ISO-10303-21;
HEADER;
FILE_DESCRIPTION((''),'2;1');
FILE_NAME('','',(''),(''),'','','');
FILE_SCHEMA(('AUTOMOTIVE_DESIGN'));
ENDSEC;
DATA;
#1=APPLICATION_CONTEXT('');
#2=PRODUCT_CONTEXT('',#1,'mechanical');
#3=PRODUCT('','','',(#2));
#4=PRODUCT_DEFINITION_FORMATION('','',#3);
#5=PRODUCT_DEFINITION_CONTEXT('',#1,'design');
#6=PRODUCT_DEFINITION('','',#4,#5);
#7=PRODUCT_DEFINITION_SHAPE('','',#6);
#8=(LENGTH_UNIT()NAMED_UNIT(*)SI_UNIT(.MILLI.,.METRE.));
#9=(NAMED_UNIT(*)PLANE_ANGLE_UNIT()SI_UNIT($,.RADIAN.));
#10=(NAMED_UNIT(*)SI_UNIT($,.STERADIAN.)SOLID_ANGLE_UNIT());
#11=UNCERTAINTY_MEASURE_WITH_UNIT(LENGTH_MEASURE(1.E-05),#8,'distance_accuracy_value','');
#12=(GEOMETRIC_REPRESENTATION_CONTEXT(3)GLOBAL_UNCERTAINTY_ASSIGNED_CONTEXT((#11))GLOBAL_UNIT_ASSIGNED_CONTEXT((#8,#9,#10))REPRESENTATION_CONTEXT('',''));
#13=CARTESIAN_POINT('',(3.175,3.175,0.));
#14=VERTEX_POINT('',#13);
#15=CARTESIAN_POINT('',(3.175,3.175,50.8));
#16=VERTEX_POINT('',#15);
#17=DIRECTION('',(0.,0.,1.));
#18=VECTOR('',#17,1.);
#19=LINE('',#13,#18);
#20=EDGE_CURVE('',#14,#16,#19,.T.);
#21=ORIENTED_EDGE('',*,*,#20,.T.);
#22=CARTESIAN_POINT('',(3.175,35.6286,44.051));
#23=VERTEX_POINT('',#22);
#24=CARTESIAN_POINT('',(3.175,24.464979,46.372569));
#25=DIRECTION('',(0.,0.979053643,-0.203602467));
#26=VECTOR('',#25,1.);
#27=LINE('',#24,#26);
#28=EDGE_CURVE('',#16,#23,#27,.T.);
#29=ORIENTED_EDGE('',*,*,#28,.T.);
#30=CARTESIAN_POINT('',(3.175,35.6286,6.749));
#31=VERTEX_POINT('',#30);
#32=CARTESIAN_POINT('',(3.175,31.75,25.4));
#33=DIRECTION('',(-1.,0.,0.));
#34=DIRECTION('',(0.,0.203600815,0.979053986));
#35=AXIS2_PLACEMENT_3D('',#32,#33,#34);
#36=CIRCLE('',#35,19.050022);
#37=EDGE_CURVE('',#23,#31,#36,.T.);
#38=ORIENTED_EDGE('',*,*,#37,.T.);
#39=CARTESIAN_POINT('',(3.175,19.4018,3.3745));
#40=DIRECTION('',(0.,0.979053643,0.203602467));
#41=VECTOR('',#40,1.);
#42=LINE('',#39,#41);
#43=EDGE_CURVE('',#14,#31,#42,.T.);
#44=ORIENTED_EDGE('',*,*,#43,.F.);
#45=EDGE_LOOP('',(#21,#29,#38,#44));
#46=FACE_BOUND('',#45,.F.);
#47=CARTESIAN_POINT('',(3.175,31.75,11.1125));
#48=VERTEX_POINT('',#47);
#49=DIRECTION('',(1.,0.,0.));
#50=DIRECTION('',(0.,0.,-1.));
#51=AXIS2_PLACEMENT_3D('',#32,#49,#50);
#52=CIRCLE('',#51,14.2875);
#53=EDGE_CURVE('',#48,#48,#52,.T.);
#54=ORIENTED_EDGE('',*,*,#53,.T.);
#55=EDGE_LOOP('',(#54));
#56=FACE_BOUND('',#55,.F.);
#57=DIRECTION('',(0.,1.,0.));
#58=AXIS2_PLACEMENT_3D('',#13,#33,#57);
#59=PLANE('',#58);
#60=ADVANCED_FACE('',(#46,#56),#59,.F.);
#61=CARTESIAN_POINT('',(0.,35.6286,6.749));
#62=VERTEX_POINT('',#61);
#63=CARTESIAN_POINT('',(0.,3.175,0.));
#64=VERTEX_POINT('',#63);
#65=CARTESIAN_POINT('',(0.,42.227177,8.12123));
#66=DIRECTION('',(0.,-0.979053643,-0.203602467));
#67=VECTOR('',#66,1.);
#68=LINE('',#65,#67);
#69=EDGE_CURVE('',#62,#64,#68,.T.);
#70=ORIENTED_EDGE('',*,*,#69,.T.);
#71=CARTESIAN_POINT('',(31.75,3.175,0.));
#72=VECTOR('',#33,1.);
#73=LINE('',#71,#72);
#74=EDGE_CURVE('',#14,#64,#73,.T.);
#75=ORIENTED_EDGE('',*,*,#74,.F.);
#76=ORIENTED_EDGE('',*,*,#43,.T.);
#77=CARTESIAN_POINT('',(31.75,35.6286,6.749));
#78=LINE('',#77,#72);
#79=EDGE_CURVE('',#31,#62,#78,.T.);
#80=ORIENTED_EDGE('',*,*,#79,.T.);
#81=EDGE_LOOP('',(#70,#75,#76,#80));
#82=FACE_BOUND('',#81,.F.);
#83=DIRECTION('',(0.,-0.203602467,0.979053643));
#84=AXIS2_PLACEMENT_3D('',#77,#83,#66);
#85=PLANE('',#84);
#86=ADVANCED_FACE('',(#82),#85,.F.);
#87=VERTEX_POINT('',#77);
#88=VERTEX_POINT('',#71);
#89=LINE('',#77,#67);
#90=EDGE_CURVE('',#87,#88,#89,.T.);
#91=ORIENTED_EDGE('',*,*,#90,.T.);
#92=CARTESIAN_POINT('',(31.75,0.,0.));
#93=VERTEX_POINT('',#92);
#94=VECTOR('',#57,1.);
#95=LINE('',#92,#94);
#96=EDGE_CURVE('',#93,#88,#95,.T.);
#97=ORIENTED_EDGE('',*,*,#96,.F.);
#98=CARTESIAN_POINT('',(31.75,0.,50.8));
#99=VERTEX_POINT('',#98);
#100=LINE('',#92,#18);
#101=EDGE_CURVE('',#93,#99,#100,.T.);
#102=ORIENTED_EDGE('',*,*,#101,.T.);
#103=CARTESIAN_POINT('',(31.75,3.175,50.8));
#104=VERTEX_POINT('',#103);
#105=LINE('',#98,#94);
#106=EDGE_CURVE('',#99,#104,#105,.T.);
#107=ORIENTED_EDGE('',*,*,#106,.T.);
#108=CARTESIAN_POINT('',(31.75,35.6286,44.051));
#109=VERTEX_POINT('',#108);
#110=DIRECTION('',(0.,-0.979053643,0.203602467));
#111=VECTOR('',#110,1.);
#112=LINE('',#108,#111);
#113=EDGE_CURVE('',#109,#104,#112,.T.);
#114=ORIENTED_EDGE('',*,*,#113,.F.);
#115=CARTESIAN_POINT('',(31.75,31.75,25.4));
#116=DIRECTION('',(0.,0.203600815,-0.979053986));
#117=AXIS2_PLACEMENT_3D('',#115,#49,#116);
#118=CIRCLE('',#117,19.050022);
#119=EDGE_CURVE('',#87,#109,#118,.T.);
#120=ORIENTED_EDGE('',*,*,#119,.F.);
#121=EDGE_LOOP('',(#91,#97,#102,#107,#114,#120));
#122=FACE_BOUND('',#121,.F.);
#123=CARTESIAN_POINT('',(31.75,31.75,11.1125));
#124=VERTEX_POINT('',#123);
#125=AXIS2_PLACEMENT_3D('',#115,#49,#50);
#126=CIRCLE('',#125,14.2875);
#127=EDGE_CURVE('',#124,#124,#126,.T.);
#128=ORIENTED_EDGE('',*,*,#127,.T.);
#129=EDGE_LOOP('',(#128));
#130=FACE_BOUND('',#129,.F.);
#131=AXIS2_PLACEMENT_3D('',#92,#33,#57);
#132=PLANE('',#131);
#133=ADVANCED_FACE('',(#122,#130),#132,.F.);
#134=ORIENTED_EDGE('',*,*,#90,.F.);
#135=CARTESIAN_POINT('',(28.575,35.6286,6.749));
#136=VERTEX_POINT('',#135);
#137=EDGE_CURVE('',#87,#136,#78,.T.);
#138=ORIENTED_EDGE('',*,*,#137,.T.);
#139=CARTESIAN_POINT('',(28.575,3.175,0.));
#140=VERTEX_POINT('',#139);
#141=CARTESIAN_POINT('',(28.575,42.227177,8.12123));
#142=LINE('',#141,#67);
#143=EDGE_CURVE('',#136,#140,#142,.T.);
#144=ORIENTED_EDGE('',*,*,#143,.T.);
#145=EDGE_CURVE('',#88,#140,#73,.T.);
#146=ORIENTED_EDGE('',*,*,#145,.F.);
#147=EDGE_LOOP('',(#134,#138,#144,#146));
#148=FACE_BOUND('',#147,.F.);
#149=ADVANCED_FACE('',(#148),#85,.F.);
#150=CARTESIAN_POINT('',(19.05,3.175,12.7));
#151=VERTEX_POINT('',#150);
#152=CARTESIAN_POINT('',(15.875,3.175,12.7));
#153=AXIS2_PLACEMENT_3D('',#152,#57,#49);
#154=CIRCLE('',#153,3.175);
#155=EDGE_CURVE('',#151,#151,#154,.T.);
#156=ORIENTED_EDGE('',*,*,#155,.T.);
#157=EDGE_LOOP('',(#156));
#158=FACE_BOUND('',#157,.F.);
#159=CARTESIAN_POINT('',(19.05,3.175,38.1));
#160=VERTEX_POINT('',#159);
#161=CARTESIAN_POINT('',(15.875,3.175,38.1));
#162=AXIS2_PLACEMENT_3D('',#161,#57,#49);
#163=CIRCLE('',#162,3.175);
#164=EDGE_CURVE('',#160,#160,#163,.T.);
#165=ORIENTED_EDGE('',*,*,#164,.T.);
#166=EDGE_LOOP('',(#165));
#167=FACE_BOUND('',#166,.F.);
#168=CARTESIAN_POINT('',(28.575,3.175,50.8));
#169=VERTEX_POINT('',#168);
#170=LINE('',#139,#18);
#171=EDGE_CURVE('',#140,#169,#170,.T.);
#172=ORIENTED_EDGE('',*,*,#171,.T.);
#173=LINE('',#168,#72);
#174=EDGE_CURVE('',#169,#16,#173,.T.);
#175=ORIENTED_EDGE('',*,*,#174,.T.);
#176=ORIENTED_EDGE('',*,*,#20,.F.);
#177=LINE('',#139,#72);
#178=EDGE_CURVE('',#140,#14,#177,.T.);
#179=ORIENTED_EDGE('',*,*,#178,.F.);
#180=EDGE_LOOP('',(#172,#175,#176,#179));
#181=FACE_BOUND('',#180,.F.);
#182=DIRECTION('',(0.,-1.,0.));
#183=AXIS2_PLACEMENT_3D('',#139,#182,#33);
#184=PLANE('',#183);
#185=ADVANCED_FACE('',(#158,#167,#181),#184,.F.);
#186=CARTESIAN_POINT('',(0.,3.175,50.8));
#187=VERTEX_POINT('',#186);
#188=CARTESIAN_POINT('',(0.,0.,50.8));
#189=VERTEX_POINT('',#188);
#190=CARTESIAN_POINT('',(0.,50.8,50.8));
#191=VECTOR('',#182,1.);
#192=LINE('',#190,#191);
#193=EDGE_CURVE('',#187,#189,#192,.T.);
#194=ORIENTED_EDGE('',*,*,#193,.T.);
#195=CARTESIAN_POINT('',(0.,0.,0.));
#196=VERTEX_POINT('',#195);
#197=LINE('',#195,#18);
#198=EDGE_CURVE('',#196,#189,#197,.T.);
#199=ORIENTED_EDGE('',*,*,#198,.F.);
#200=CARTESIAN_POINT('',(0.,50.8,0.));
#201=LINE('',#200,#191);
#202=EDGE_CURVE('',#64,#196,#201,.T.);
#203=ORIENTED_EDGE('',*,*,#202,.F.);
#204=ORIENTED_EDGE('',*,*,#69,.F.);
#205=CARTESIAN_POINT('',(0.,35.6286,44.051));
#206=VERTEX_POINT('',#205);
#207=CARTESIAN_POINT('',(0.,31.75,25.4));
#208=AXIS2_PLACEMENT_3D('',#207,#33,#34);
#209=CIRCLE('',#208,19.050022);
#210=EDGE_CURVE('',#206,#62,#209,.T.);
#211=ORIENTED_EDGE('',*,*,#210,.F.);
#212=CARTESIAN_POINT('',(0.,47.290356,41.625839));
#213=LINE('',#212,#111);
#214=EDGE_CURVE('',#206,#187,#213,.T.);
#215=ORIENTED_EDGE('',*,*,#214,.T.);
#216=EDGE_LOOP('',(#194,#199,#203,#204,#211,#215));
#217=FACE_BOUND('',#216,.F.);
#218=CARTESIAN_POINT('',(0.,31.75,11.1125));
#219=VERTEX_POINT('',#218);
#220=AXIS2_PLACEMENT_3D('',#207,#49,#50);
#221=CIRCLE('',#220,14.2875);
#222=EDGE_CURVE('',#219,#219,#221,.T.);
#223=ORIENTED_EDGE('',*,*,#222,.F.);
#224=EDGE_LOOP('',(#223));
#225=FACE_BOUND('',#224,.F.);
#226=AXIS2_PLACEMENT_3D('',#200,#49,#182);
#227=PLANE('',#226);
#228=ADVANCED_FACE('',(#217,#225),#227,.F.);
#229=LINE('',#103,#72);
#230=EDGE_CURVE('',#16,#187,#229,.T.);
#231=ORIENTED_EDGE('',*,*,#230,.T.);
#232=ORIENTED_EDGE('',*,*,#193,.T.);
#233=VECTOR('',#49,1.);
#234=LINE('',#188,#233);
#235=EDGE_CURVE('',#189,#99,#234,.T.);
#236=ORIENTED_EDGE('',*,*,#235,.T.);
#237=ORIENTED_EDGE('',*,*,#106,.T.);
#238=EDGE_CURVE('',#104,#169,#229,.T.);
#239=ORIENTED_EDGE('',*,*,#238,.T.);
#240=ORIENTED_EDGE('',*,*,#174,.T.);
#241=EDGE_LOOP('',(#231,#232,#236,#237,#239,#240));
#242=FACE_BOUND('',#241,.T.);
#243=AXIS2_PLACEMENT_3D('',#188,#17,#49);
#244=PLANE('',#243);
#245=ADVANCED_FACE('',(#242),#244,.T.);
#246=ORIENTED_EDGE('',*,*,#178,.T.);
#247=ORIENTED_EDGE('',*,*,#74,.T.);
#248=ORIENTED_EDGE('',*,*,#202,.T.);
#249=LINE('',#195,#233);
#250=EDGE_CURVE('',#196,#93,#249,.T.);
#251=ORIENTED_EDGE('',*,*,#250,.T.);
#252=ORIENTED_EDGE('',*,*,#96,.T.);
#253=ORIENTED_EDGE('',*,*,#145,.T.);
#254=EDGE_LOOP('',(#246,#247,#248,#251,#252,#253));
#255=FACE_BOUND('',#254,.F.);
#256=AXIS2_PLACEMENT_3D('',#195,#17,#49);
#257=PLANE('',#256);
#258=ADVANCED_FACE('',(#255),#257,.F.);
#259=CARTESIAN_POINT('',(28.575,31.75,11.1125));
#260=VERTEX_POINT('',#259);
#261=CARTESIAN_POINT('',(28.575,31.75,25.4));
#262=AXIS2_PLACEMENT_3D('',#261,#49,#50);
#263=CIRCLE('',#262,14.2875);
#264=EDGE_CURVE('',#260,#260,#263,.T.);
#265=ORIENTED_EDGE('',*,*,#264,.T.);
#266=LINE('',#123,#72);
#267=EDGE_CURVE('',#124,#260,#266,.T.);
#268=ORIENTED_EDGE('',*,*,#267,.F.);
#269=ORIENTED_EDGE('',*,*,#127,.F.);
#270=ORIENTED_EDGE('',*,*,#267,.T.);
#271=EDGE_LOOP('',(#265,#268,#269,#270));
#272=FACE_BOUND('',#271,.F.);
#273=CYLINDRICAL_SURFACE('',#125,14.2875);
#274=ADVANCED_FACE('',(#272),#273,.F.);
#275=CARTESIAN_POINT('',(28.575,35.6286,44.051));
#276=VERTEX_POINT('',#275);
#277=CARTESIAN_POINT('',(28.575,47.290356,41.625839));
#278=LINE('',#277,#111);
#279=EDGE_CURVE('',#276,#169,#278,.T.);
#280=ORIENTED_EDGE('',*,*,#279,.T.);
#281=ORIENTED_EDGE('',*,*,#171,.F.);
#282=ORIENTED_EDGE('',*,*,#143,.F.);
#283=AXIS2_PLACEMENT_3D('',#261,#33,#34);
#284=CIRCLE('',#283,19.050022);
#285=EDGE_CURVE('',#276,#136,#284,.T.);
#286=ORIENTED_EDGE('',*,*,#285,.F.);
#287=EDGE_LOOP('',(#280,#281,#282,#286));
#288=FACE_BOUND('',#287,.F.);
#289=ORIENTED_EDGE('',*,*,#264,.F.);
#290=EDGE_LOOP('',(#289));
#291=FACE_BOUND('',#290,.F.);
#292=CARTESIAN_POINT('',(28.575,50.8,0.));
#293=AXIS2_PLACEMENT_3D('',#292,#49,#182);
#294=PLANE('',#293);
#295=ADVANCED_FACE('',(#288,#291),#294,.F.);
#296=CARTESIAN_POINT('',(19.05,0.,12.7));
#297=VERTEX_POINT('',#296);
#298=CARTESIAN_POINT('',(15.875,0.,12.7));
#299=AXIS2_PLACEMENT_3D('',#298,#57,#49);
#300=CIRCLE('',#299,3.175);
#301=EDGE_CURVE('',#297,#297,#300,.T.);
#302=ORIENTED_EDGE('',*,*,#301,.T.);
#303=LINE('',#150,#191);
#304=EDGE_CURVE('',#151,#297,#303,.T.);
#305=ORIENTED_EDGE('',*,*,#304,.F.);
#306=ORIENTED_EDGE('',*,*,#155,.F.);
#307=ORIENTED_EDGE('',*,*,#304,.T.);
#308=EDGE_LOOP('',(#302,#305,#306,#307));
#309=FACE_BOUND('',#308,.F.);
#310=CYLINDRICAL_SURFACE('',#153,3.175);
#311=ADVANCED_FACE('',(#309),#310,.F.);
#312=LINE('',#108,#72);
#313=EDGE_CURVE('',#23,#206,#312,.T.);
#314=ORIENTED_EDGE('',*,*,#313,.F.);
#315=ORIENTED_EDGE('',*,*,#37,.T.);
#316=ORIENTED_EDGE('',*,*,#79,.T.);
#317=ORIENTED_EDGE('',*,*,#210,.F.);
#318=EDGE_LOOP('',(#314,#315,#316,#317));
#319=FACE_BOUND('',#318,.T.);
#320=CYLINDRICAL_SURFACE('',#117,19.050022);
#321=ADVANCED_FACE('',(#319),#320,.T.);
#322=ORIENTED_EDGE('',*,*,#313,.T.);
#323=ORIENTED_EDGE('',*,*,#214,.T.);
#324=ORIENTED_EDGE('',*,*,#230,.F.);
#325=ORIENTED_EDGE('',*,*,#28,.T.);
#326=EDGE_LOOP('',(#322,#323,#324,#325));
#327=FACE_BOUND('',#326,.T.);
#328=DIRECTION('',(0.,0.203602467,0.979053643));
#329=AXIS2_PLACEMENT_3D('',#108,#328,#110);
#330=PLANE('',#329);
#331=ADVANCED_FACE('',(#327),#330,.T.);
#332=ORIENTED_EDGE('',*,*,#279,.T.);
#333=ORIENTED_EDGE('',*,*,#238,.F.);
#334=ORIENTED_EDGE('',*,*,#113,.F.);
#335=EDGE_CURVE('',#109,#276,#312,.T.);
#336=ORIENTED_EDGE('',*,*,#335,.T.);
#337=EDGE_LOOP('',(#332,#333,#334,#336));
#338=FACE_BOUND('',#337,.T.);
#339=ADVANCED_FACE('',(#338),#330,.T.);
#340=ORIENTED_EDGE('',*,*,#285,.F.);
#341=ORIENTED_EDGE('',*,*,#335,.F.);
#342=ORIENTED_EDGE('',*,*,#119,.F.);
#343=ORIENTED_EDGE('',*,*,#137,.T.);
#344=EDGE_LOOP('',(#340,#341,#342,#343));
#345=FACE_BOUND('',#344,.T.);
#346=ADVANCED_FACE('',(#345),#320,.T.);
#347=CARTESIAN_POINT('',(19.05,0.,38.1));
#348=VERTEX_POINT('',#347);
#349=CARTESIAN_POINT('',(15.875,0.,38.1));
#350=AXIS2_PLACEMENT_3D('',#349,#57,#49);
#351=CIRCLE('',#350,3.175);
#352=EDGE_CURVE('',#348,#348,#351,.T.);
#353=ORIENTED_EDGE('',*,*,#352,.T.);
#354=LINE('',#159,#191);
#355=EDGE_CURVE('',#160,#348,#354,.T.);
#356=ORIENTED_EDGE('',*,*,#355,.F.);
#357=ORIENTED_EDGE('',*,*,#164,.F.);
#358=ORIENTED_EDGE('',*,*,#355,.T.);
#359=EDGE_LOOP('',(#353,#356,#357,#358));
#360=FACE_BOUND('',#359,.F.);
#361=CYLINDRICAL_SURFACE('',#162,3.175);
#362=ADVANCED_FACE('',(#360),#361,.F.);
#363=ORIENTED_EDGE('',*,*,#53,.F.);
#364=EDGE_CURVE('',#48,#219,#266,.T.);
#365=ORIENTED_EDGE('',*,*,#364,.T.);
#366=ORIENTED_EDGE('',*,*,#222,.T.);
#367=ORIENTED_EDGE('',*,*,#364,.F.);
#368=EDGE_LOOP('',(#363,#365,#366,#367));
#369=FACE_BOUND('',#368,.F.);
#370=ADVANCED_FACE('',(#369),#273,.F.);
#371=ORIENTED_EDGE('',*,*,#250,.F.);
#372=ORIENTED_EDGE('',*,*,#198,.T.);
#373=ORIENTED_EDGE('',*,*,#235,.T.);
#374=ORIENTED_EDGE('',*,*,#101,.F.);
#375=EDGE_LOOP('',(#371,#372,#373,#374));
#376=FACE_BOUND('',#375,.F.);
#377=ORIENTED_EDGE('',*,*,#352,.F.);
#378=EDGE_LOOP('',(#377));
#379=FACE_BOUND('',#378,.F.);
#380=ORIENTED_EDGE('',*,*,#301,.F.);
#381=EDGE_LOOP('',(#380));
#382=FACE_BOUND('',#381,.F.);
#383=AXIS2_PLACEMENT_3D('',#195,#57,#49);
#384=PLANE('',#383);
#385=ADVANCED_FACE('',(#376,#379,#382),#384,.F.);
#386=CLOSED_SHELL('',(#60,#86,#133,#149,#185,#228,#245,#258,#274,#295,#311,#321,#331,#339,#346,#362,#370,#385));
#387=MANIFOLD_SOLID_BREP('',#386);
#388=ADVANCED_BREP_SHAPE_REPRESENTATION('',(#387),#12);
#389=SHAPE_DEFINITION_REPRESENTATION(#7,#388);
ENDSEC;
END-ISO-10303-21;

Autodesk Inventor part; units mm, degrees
ref_plane "YZ Plane" through (0, 0, 0) normal (1, 0, 0) x (0, 1, 0)
ref_plane "XZ Plane" through (0, 0, 0) normal (0, 1, 0) x (-1, 0, 0)
ref_plane "XY Plane" through (0, 0, 0) normal (0, 0, 1) x (1, 0, 0)
sketch "Sketch1" plane through (0, 0, 0) normal (0, 0, 1) x (1, 0, 0)
  line L0 (0, 0) -> (31.75, 0)
  line L1 (31.75, 0) -> (31.75, 50.8)
  line L2 (0, 50.8) -> (0, 0)
  line L3 (28.575, 50.8) -> (28.575, 3.175)
  line L4 (28.575, 3.175) -> (3.175, 3.175)
  line L5 (3.175, 3.175) -> (3.175, 50.8)
  line L6 (0, 50.8) -> (3.175, 50.8)
  line L7 (28.575, 50.8) -> (31.75, 50.8)
  dimension "d0" = 50.8
  dimension "d1" = 31.75
  dimension "d2" = 3.175
  dimension "d3" = 3.175
  dimension "d4" = 3.175
extrude "Extrusion1" add sketch "Sketch1" along normal blind 50.8
sketch "Sketch2" plane through (31.75, 0, 0) normal (1, 0, 0) x (0, 0, -1)
  line L0 (-50.8, 50.8) -> (-50.8, 0) projected
  line L1 (0, 0) -> (0, 50.8) projected
  line L2 (0, 50.8) -> (-50.8, 50.8) projected
  line L3 (0, 3.175) -> (-50.8, 3.175) projected
  circle A0 centre (-25.4, 31.75) radius 14.2875
  arc A1 (-6.749, 35.6286) -> (-44.051, 35.6286) centre (-25.4, 31.75) ccw
  line L4 (-44.051, 35.6286) -> (-50.8, 3.175)
  line L5 (-6.749, 35.6286) -> (0, 3.175)
  dimension "d7" = 28.575
  dimension "d8" = 25.4
  dimension "d9" = 19.05
extrude "Extrusion2" cut sketch "Sketch2" against normal blind 50.8 contours L2 A1 L4 L0 | L2 L1 L5 A1 | A0
sketch "Sketch3" plane through (3.175, 3.175, 50.8) normal (0, 1, 0) x (1, 0, 0)
  line L0 (0, 0) -> (25.4, 0) projected
  line L1 (25.4, 50.8) -> (25.4, 0) projected
  line L2 (25.4, 50.8) -> (0, 50.8) projected
  circle A0 centre (12.7, 38.1) radius 3.175
  circle A1 centre (12.7, 12.7) radius 3.175
  line L3 (0, 50.8) -> (0, 0) projected
  point P0 (-3.175, 50.8)
  dimension "d12" = 6.35
  dimension "d13" = 6.35
  dimension "d14" = 12.7
  dimension "d15" = 12.7
  dimension "d16" = 12.7
  dimension "d17" = 12.7
  dimension "d20" = 25.4
extrude "Extrusion3" cut sketch "Sketch3" against normal blind 50.8 contours A0 | A1
equation "\"d3\" = d2"
equation "\"d4\" = d2"
equation "\"d12\" = d13"
equation "\"d15\" = 0.5 * d20"
equation "\"d16\" = d14"
equation "\"d17\" = d15"
properties part number "apendage bearing braket"
